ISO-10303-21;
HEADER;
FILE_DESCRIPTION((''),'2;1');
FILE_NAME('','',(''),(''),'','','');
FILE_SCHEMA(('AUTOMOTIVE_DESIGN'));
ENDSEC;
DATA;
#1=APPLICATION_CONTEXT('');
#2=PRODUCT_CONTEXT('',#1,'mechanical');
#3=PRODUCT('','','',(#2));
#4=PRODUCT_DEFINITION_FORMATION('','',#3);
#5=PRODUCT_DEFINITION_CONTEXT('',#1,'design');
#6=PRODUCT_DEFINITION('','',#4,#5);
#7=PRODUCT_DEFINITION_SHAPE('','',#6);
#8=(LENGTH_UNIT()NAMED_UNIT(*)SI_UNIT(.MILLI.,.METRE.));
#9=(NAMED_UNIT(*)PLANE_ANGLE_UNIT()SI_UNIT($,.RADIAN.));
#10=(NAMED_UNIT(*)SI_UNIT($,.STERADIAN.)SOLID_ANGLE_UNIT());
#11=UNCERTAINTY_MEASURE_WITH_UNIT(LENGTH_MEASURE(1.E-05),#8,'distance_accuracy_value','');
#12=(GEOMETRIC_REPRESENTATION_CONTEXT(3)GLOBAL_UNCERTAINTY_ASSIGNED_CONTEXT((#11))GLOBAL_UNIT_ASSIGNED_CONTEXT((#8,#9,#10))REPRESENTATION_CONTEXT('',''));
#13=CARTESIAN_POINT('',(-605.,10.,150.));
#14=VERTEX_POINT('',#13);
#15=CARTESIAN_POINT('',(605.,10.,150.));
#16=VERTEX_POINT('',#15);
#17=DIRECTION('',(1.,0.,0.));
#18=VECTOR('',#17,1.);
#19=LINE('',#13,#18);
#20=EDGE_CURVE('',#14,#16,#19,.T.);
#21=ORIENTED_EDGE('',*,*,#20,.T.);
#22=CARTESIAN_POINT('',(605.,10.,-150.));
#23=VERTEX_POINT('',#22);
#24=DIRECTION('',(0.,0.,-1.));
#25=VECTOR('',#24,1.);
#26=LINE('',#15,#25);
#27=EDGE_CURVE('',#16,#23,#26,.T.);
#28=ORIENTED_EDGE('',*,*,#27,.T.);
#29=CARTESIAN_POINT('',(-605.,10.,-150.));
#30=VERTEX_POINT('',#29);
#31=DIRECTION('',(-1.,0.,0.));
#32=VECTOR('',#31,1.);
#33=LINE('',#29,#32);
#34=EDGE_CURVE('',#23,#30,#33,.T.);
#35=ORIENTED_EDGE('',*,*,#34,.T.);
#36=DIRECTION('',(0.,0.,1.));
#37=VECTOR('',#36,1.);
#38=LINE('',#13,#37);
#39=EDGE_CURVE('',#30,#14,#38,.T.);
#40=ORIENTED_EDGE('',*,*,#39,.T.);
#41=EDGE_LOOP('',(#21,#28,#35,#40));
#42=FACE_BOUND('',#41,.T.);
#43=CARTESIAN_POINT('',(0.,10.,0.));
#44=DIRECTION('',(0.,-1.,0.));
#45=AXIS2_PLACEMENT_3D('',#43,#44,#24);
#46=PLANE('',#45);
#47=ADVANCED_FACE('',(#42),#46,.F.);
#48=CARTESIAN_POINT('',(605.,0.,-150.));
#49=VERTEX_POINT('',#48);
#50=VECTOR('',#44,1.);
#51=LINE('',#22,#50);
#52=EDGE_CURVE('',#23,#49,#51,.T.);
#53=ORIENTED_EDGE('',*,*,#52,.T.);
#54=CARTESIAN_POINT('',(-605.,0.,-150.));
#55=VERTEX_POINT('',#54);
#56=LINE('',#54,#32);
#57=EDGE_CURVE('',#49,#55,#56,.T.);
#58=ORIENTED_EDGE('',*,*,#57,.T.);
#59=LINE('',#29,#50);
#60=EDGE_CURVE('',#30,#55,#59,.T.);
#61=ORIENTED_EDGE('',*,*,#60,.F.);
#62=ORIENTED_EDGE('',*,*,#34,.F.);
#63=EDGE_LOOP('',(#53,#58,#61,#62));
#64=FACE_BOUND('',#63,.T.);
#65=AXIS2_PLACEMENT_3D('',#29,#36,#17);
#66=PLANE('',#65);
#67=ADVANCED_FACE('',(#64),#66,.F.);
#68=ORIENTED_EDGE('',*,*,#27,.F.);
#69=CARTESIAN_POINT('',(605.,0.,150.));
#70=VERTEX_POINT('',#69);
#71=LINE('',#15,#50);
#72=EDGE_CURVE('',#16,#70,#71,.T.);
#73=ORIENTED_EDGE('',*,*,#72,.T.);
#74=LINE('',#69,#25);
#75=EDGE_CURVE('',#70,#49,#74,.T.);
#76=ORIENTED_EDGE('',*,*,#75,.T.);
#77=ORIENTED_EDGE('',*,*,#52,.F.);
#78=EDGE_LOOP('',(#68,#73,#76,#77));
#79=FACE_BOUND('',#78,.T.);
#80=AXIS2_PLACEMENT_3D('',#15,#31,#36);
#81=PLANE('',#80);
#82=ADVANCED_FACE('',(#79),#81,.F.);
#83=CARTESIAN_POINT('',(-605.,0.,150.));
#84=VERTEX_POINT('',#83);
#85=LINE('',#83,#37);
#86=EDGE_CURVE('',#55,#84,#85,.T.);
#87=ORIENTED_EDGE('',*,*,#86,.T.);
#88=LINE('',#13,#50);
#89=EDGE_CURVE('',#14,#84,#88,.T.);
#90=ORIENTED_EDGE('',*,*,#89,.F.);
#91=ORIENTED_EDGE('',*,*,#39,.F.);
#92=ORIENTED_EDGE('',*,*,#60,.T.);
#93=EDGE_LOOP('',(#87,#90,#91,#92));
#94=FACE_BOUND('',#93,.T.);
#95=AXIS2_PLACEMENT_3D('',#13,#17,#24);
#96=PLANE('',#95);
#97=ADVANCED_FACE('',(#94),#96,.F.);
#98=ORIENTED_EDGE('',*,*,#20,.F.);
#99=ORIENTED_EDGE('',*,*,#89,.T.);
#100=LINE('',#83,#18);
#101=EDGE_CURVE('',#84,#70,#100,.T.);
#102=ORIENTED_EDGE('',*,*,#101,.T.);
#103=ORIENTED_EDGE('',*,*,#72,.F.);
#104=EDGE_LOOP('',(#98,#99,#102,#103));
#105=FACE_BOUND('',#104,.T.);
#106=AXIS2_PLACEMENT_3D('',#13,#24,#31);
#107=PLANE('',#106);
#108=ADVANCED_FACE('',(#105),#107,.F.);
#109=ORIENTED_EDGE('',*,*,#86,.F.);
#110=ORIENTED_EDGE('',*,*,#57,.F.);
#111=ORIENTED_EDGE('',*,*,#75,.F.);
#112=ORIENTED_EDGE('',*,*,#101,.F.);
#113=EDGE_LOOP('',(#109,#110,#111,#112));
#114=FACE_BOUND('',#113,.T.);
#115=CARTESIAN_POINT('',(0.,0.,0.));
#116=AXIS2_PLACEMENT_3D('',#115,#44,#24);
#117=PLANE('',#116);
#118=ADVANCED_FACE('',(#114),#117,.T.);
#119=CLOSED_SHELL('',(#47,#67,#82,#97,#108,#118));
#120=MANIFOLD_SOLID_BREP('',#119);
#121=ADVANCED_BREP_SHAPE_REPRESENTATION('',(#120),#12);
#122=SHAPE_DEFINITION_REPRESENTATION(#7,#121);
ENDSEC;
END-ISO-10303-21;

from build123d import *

# Parameters (mm, degrees)
ESQUISSE1_W        = 1210
ESQUISSE1_H        = 300
BOSS_EXTRU_1_DEPTH = 10


with BuildPart() as part:
    # Esquisse1 → Boss.-Extru.1 (new body)
    with BuildSketch(Plane(origin=(0, 0, 0), x_dir=(1, 0, 0), z_dir=(0, 1, 0))):
        Rectangle(ESQUISSE1_W, ESQUISSE1_H)
    extrude(amount=BOSS_EXTRU_1_DEPTH)


solid = part.part
